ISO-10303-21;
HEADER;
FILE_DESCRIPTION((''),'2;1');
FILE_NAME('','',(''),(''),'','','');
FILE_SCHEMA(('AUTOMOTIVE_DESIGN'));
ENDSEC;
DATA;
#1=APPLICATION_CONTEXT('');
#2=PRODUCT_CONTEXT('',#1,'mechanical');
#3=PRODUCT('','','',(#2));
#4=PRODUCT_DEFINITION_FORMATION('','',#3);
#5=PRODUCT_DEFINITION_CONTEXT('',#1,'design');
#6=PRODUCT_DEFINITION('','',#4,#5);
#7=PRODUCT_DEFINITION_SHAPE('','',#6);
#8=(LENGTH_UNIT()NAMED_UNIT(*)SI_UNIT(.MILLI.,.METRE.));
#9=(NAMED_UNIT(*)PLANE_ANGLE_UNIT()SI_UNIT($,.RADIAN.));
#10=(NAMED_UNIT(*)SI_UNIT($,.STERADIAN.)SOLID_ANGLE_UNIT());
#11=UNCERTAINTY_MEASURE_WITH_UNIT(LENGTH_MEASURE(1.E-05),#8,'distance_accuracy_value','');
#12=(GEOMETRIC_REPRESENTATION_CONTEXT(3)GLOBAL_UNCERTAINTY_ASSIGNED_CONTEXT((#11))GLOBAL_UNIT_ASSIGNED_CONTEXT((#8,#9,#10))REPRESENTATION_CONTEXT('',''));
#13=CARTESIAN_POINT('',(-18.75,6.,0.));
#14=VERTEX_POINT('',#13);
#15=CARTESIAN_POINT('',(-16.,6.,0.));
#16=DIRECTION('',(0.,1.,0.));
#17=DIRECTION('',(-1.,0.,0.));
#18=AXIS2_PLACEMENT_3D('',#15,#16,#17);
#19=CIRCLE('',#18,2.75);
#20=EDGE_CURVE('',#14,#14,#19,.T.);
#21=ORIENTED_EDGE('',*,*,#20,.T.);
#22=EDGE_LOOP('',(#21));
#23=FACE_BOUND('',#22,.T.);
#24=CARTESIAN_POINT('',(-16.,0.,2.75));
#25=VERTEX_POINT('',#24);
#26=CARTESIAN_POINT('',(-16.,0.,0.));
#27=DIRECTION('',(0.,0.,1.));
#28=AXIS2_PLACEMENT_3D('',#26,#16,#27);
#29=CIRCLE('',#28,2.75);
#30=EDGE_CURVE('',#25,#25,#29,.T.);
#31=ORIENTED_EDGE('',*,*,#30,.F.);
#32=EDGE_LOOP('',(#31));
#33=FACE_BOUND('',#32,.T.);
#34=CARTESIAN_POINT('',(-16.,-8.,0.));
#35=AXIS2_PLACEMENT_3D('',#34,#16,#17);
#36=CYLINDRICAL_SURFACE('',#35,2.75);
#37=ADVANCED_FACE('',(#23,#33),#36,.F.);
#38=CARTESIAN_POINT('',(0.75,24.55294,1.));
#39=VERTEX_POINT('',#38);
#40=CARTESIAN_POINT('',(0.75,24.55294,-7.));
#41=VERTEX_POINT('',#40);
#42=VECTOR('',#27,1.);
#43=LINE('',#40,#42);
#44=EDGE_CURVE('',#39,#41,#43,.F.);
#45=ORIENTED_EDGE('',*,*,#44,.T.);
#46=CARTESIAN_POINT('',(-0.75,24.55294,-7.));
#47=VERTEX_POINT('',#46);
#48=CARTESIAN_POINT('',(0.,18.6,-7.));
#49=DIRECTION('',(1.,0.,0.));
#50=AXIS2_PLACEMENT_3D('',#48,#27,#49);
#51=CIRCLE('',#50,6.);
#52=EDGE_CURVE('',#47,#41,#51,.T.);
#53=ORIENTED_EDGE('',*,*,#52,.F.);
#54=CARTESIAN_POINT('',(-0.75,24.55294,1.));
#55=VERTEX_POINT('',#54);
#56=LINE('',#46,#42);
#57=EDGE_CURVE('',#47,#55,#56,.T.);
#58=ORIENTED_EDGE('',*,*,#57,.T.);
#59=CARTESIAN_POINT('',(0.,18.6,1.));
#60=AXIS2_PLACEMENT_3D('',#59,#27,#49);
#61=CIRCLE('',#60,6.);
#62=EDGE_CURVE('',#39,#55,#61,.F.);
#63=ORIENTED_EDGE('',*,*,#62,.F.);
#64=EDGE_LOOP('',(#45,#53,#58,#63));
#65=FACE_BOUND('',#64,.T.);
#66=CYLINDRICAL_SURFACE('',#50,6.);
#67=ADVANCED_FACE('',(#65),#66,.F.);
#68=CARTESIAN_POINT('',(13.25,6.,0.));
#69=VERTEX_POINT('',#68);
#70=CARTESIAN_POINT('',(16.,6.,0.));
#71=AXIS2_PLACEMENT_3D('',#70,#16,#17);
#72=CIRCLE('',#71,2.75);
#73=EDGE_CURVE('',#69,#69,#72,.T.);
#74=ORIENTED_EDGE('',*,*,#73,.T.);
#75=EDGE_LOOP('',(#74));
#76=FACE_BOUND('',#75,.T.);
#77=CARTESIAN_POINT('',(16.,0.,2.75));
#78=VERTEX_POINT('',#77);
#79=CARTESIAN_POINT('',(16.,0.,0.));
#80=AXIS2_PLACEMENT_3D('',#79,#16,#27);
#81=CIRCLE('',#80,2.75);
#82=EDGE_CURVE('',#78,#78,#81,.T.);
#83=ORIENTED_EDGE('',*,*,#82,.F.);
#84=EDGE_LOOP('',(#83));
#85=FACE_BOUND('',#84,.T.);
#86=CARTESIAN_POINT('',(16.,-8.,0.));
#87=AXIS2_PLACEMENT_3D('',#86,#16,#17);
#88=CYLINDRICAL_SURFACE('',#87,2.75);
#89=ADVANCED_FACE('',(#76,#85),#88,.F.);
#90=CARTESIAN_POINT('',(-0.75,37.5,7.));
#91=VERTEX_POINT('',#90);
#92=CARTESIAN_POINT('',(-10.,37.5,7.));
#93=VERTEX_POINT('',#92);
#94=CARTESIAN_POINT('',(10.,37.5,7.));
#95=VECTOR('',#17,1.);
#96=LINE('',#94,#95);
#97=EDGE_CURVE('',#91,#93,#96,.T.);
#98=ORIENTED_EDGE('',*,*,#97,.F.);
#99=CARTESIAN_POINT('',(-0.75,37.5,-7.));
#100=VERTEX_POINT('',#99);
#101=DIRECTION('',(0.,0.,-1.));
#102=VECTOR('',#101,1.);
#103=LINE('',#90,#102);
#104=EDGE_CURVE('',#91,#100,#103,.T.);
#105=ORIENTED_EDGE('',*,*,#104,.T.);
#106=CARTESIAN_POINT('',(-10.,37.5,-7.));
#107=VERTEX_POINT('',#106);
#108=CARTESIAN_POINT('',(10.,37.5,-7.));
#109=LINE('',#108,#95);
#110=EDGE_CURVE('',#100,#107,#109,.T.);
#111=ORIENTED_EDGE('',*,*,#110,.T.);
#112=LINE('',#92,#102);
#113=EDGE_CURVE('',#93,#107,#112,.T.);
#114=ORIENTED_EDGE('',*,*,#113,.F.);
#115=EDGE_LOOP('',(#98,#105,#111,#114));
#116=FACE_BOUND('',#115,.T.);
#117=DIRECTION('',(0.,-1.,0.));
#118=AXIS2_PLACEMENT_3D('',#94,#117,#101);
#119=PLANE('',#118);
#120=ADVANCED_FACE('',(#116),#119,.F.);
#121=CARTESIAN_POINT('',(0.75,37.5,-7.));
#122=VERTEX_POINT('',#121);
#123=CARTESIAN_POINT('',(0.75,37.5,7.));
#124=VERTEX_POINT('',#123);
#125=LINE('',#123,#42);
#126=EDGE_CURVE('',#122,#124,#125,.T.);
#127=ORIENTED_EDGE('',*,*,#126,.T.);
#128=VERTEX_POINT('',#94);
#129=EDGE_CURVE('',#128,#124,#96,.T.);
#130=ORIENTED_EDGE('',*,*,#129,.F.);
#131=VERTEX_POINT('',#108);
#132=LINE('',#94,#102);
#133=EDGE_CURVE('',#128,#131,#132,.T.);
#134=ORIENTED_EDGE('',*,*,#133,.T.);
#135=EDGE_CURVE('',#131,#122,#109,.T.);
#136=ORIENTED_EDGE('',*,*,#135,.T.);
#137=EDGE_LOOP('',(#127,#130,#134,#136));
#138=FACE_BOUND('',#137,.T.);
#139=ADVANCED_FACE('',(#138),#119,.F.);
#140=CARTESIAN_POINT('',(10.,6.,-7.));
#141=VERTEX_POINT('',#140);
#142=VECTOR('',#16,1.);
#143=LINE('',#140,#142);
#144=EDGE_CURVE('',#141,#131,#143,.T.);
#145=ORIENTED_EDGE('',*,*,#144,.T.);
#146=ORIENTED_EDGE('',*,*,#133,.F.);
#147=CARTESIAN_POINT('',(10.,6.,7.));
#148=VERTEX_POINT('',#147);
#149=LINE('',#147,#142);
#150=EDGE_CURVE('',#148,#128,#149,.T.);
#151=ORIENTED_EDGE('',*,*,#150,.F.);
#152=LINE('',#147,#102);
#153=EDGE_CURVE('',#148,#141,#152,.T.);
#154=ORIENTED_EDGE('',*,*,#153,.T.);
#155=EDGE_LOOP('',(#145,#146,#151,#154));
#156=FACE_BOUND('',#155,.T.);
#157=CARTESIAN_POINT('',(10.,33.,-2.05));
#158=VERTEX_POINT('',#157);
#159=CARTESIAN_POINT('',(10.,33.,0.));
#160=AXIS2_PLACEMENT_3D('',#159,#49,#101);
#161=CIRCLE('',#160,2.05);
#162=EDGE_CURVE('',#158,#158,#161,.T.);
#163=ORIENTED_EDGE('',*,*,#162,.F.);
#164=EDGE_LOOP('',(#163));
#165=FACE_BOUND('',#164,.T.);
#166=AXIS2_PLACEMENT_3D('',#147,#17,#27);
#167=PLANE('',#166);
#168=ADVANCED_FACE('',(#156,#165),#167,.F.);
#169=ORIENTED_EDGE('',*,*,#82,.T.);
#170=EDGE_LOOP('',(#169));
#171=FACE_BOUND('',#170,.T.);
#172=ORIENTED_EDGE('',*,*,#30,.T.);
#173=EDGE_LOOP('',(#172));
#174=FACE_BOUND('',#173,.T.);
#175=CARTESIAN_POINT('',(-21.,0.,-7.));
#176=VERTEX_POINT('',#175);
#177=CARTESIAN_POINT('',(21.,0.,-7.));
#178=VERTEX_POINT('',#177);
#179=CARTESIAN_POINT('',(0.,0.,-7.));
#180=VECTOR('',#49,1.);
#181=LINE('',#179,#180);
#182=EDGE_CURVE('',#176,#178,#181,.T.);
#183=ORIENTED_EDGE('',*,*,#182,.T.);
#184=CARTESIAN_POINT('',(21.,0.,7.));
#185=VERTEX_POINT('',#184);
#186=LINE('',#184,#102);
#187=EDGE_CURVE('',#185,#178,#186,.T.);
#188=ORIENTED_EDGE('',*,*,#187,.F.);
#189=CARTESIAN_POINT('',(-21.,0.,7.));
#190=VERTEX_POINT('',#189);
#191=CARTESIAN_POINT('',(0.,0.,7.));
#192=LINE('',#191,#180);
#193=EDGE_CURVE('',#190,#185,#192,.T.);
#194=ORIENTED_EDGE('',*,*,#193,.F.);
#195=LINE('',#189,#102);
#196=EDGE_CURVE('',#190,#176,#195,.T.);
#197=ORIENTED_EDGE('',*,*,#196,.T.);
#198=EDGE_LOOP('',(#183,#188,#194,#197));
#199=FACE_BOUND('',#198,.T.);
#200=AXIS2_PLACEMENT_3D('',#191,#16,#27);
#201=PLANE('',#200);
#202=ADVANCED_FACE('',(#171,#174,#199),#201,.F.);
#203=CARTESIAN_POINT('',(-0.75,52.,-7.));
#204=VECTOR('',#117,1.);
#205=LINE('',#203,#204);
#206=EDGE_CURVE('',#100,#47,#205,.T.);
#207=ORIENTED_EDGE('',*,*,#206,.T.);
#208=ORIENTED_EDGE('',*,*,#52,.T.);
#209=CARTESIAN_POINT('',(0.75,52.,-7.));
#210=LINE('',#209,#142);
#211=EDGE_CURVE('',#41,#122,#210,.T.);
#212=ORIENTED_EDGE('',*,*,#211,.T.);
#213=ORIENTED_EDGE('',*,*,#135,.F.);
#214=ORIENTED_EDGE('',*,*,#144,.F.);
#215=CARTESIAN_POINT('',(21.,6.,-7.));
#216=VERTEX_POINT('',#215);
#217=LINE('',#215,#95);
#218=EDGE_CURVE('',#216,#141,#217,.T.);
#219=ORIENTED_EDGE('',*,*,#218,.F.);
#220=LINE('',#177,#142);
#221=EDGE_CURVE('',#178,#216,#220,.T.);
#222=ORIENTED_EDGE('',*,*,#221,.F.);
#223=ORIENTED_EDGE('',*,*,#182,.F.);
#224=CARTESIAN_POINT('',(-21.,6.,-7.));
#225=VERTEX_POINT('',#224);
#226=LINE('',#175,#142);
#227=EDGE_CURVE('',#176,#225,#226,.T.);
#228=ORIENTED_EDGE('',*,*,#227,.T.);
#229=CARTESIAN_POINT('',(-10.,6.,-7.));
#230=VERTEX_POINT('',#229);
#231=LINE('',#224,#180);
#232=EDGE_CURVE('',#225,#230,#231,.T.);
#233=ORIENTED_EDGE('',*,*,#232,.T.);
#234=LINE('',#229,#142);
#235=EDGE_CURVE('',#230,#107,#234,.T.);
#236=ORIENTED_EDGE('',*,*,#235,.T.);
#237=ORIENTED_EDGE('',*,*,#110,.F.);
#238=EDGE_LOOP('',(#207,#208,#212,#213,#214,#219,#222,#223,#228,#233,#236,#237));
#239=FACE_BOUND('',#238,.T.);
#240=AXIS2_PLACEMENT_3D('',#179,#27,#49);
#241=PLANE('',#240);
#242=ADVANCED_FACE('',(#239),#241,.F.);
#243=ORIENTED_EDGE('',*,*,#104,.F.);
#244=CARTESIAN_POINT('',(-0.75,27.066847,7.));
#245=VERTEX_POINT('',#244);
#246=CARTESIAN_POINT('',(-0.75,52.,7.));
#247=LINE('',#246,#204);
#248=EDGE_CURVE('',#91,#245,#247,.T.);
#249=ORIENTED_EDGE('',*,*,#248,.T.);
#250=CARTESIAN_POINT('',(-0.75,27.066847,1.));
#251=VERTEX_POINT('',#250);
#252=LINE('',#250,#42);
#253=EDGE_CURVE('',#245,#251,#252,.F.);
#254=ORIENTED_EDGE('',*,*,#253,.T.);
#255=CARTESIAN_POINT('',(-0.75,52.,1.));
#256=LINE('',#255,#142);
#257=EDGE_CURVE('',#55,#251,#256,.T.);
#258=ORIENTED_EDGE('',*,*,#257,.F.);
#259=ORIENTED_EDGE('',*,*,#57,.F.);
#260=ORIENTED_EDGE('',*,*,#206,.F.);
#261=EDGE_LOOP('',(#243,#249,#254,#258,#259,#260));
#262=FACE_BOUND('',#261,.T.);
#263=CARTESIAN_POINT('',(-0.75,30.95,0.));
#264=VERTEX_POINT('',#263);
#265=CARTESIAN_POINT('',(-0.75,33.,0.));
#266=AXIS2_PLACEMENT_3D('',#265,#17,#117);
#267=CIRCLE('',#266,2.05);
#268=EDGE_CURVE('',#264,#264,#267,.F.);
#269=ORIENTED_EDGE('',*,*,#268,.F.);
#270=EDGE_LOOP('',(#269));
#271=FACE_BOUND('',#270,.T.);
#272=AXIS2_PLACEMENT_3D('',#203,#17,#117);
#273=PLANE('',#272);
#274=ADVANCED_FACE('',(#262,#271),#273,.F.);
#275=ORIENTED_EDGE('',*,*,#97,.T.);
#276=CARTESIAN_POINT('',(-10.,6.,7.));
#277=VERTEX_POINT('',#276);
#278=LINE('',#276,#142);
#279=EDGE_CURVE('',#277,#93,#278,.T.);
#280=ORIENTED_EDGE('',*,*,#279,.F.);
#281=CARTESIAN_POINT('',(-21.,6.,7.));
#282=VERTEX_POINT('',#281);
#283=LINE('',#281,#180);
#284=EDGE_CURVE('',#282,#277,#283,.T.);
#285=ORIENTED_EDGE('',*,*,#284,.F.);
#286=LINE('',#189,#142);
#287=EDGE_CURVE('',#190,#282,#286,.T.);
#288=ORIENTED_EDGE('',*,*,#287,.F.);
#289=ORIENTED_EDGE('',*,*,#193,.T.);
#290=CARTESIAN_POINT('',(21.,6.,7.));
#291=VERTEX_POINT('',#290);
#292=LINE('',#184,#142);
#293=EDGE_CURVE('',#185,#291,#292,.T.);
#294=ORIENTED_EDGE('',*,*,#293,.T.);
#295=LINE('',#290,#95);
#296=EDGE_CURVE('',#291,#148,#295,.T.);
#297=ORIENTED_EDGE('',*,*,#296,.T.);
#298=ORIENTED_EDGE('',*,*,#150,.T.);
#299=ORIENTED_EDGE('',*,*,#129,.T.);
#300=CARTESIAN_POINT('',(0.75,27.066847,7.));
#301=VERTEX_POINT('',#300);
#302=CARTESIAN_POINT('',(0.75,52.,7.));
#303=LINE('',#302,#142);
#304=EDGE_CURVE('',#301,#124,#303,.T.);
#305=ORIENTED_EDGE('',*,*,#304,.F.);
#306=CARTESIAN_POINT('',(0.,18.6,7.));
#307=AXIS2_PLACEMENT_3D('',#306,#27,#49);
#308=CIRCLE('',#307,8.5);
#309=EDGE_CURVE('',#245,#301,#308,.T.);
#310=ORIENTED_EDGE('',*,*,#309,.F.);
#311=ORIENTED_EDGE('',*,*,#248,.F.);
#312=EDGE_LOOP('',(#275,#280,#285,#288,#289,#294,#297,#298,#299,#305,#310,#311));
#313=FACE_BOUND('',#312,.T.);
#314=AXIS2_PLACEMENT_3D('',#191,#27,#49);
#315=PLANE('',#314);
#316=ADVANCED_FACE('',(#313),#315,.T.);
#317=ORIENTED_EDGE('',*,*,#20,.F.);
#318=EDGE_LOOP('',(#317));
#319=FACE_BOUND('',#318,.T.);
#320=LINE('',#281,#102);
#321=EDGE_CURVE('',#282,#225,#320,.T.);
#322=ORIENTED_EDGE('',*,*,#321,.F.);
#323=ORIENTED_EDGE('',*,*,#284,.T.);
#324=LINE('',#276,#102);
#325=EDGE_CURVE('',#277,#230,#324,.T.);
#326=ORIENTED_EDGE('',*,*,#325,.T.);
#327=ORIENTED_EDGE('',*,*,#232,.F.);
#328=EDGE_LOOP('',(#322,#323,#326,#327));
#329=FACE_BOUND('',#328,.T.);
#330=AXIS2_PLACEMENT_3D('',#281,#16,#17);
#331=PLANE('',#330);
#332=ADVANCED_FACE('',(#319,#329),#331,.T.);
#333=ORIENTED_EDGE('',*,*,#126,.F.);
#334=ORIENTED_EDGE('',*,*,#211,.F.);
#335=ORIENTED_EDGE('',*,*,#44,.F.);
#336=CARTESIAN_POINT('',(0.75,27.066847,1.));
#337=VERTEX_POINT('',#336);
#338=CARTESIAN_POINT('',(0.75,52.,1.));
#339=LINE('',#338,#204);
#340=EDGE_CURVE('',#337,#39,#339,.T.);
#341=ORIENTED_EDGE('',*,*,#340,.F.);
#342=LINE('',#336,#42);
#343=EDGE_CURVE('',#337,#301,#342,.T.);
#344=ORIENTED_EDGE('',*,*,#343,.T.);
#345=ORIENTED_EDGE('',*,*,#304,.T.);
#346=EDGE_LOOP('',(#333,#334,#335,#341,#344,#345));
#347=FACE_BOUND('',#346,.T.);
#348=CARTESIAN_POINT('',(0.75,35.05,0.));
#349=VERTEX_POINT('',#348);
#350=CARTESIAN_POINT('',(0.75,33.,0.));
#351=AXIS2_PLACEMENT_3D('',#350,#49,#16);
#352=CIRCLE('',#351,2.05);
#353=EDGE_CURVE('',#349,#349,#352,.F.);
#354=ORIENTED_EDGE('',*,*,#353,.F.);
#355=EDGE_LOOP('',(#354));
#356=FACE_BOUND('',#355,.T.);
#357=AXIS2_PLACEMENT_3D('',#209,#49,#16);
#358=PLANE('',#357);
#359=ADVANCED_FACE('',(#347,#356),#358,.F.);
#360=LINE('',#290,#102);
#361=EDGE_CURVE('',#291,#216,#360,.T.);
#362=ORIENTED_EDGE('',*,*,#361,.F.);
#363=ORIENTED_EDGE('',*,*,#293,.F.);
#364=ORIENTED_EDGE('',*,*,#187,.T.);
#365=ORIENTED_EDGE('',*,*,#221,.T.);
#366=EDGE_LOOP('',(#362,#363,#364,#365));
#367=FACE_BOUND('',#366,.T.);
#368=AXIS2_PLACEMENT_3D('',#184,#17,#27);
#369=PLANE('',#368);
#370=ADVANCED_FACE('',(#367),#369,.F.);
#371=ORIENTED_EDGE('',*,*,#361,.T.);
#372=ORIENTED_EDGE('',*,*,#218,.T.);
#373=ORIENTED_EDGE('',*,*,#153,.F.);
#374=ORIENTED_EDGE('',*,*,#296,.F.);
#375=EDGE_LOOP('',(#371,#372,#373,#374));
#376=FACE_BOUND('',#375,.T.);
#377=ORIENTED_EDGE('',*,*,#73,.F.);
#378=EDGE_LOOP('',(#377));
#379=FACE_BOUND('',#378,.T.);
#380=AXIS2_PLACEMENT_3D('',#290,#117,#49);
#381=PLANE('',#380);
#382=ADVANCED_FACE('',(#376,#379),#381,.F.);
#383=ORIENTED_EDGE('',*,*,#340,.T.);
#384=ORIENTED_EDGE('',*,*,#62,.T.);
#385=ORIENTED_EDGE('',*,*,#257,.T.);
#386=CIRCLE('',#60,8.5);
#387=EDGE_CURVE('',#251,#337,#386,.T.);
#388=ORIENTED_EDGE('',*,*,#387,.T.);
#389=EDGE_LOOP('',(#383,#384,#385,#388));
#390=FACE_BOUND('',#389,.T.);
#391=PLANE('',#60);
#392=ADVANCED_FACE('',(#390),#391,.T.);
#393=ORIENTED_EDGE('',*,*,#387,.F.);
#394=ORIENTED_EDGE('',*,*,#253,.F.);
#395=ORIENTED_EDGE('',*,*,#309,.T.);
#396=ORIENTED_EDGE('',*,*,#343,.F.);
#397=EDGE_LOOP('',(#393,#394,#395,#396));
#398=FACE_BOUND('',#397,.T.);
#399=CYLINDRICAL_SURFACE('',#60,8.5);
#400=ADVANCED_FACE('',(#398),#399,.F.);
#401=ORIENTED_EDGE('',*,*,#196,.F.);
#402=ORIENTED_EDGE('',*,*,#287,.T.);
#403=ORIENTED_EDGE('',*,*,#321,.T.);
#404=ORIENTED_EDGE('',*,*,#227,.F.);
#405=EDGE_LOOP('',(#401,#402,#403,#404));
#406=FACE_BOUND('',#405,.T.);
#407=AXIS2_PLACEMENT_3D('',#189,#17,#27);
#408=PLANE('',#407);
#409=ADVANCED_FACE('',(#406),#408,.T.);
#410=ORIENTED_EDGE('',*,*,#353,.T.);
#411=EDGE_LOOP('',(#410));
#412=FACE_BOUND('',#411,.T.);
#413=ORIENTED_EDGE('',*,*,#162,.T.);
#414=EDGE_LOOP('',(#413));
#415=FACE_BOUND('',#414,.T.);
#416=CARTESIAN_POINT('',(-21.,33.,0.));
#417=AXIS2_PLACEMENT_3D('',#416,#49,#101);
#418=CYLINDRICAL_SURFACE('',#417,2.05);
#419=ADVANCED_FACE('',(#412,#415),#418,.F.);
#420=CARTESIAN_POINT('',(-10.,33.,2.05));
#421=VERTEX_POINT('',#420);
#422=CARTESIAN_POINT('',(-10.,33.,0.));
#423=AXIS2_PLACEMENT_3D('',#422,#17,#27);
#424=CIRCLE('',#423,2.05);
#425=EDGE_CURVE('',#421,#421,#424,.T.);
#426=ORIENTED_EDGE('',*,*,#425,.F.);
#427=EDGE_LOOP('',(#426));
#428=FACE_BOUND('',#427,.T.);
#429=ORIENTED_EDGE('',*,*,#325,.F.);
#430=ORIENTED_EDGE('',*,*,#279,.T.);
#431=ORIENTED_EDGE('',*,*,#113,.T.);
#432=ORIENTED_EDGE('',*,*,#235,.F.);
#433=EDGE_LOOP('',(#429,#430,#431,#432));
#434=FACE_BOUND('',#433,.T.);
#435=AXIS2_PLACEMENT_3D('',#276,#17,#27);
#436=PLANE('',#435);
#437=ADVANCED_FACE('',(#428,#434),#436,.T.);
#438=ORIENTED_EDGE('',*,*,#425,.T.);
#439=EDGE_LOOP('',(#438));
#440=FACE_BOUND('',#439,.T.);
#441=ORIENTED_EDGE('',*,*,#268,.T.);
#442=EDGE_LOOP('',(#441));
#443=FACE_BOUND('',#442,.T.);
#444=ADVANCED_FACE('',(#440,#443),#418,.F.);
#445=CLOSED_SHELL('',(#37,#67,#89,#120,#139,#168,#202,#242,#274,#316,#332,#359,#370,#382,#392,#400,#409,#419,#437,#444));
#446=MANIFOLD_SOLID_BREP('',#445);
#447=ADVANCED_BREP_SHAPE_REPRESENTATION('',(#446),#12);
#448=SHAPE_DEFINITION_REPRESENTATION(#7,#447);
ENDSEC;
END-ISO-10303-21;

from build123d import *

# Parameters (mm, degrees)
BOSS_EXTRUDE1_DEPTH = 7
SKETCH2_R           = 6
CUT_EXTRUDE1_DEPTH  = 15
SKETCH3_R           = 2.05
CUT_EXTRUDE2_DEPTH  = 32
SKETCH4_R           = 2.75
CUT_EXTRUDE3_DEPTH  = 14
SKETCH5_W           = 1.5
SKETCH5_H           = 29
CUT_EXTRUDE4_DEPTH  = 15
SKETCH6_R           = 8.5
CUT_EXTRUDE5_DEPTH  = 6


with BuildPart() as part:
    # Sketch1 → Boss-Extrude1 (new body, symmetric)
    with BuildSketch(Plane.XY):
        Polygon((0, 0), (21, 0), (21, 6), (10, 6), (10, 37.5), (0, 37.5), align=None)
    boss_extrude1 = extrude(amount=BOSS_EXTRUDE1_DEPTH, both=True)

    # Mirror1: Boss-Extrude1 across plane
    add(boss_extrude1.mirror(Plane(origin=(0, 37.5, 7), x_dir=(0, 0, 1), z_dir=(1, 0, 0))))

    # Sketch2 → Cut-Extrude1 (cut, through all)
    with BuildSketch(Plane.XY.offset(7)):
        with Locations((0, 18.6)):
            Circle(SKETCH2_R)
    extrude(amount=-CUT_EXTRUDE1_DEPTH, mode=Mode.SUBTRACT)

    # Sketch3 → Cut-Extrude2 (cut, through all)
    with BuildSketch(Plane(origin=(10, 0, 0), x_dir=(0, 0, -1), z_dir=(1, 0, 0))):
        with Locations((0, 33)):
            Circle(SKETCH3_R)
    extrude(amount=-CUT_EXTRUDE2_DEPTH, mode=Mode.SUBTRACT)

    # Sketch4 → Cut-Extrude3 (cut)
    with BuildSketch(Plane(origin=(0, 6, 0), x_dir=(1, 0, 0), z_dir=(0, 1, 0))):
        with Locations((-16, 0)):
            Circle(SKETCH4_R)
        with Locations((16, 0)):
            Circle(SKETCH4_R)
    extrude(amount=-CUT_EXTRUDE3_DEPTH, mode=Mode.SUBTRACT)

    # Sketch5 → Cut-Extrude4 (cut, through all)
    with BuildSketch(Plane.XY.offset(7)):
        with Locations((0, 37.5)):
            Rectangle(SKETCH5_W, SKETCH5_H)
    extrude(amount=-CUT_EXTRUDE4_DEPTH, mode=Mode.SUBTRACT)

    # Sketch6 → Cut-Extrude5 (cut)
    with BuildSketch(Plane.XY.offset(7)):
        with Locations((0, 18.6)):
            Circle(SKETCH6_R)
    extrude(amount=-CUT_EXTRUDE5_DEPTH, mode=Mode.SUBTRACT)


solid = part.part
